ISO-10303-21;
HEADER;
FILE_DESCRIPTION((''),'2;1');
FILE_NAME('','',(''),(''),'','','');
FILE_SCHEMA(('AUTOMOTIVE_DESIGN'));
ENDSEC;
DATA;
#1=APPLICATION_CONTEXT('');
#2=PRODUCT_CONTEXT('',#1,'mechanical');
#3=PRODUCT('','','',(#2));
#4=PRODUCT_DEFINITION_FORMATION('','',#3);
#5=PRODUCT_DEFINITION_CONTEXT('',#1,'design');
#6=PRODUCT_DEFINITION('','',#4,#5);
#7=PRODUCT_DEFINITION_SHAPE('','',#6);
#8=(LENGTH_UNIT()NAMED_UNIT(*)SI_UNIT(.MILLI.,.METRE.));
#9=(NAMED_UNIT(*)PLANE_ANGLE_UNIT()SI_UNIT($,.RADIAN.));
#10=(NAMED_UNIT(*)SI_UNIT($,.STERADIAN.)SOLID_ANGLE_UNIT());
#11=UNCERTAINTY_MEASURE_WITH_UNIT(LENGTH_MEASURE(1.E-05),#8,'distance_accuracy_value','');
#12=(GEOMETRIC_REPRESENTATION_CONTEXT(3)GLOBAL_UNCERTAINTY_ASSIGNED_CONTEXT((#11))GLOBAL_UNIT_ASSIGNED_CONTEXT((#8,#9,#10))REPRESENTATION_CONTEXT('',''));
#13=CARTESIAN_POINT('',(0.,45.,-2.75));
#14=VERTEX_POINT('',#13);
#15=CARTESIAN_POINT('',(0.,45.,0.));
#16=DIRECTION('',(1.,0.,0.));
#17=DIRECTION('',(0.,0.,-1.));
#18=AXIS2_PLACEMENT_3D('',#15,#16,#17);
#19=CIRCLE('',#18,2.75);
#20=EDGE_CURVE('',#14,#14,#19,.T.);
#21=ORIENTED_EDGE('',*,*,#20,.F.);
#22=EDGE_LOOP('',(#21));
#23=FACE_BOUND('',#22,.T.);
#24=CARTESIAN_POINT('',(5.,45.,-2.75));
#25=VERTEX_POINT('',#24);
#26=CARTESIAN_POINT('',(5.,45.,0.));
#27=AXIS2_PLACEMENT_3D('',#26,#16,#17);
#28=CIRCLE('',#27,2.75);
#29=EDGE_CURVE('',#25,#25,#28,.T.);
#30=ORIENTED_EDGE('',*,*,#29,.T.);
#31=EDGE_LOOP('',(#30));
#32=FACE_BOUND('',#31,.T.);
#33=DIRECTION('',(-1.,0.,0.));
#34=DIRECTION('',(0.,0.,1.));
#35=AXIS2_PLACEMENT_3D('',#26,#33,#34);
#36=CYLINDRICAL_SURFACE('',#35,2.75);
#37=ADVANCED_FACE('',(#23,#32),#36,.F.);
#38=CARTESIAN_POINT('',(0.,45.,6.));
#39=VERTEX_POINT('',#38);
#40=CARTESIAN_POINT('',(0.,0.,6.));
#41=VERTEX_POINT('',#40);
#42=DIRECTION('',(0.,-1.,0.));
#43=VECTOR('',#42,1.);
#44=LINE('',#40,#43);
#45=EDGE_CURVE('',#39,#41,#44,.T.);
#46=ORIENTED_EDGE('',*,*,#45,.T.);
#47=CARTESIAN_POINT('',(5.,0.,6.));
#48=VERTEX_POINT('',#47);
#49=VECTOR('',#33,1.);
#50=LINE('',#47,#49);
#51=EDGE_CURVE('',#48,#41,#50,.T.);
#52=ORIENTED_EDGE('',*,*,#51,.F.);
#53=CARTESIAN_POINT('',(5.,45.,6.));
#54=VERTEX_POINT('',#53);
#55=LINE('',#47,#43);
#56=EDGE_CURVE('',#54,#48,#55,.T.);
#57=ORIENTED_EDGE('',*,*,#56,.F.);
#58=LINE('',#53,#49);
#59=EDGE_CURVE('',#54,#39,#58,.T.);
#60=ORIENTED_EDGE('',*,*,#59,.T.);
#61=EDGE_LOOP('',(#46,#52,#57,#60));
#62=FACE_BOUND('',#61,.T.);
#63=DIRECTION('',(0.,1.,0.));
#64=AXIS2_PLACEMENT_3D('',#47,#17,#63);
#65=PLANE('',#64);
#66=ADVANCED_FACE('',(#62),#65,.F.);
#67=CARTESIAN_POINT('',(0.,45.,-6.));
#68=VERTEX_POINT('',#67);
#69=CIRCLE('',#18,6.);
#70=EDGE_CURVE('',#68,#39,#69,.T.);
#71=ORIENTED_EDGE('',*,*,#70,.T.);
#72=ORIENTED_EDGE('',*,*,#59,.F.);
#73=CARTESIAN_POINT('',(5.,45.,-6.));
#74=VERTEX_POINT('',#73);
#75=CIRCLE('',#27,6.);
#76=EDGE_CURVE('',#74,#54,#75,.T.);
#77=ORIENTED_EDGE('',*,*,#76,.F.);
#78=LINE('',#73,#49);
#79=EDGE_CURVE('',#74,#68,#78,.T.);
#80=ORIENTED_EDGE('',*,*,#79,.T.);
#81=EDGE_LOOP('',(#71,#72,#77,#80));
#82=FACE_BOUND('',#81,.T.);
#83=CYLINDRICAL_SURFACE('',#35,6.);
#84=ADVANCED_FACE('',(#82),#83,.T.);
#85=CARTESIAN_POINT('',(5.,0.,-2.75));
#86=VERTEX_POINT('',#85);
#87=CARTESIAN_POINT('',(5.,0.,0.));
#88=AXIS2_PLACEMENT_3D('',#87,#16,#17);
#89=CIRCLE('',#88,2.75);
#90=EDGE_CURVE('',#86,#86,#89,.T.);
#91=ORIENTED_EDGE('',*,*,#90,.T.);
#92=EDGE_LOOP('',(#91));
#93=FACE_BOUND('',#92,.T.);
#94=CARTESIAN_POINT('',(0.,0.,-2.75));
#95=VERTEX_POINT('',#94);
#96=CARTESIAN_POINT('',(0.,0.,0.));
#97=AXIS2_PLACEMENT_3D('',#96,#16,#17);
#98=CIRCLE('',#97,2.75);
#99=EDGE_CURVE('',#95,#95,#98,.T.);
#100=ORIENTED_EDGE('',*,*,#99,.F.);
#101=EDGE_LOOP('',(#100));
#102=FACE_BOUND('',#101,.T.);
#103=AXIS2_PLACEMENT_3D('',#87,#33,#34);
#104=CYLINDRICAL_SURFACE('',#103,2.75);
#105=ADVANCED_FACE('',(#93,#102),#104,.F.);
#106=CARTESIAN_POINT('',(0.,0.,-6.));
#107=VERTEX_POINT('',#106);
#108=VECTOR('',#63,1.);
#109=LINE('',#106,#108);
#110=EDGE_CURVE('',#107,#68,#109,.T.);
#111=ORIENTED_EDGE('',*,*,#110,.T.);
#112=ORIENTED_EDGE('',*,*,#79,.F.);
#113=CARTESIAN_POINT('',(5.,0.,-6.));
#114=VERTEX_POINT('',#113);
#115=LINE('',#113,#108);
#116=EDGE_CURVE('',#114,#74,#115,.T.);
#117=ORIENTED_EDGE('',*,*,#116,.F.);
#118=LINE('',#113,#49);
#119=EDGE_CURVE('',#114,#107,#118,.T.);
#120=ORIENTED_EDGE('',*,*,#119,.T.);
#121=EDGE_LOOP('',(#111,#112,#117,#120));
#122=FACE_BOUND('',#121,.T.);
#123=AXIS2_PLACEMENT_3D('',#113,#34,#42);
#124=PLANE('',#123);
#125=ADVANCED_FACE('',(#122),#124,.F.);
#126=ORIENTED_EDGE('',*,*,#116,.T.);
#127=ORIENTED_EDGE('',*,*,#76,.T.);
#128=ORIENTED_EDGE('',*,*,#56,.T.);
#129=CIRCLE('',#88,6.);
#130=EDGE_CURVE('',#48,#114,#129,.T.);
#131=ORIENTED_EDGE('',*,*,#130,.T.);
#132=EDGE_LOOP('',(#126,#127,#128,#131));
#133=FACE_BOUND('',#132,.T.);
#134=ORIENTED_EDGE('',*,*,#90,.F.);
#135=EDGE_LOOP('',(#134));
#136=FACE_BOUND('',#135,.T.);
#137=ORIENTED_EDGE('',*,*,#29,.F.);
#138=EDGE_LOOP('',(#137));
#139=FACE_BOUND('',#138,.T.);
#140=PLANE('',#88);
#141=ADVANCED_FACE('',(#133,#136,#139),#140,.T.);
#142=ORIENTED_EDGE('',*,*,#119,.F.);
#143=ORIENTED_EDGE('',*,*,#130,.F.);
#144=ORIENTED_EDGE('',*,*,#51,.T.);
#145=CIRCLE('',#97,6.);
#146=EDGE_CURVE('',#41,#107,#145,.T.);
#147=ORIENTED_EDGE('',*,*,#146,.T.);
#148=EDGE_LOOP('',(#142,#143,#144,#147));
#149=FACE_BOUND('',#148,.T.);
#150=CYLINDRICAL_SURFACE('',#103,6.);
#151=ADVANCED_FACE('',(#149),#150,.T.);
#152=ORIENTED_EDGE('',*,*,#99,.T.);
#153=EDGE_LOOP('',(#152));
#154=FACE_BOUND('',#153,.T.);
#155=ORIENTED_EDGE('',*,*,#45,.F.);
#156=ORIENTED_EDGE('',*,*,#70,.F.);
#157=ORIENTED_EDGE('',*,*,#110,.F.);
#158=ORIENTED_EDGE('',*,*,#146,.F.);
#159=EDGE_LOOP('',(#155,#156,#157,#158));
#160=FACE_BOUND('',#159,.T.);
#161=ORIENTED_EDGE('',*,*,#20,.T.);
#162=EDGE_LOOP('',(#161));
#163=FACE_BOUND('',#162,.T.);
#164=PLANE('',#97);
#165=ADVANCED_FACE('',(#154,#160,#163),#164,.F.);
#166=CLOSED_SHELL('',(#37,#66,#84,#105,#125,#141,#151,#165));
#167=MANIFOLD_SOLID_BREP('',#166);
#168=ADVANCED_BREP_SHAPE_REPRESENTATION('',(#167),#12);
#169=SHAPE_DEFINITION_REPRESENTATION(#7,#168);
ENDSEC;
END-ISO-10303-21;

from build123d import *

# Parameters (mm, degrees)
SKETCH1_R           = 2.75
BOSS_EXTRUDE1_DEPTH = 5


with BuildPart() as part:
    # Sketch1 → Boss-Extrude1 (new body)
    with BuildSketch(Plane.YZ):
        with BuildLine():
            Line((0, 6), (45, 6))
            ThreePointArc((45, 6), (51, 0), (45, -6))
            Line((45, -6), (0, -6))
            ThreePointArc((0, -6), (-6, 0), (0, 6))
        make_face()
        with Locations(Location((0, 0, 0), (0, 0, 270))):
            Circle(SKETCH1_R, mode=Mode.SUBTRACT)
        with Locations(Location((45, 0, 0), (0, 0, 270))):
            Circle(SKETCH1_R, mode=Mode.SUBTRACT)
    extrude(amount=BOSS_EXTRUDE1_DEPTH)


solid = part.part
